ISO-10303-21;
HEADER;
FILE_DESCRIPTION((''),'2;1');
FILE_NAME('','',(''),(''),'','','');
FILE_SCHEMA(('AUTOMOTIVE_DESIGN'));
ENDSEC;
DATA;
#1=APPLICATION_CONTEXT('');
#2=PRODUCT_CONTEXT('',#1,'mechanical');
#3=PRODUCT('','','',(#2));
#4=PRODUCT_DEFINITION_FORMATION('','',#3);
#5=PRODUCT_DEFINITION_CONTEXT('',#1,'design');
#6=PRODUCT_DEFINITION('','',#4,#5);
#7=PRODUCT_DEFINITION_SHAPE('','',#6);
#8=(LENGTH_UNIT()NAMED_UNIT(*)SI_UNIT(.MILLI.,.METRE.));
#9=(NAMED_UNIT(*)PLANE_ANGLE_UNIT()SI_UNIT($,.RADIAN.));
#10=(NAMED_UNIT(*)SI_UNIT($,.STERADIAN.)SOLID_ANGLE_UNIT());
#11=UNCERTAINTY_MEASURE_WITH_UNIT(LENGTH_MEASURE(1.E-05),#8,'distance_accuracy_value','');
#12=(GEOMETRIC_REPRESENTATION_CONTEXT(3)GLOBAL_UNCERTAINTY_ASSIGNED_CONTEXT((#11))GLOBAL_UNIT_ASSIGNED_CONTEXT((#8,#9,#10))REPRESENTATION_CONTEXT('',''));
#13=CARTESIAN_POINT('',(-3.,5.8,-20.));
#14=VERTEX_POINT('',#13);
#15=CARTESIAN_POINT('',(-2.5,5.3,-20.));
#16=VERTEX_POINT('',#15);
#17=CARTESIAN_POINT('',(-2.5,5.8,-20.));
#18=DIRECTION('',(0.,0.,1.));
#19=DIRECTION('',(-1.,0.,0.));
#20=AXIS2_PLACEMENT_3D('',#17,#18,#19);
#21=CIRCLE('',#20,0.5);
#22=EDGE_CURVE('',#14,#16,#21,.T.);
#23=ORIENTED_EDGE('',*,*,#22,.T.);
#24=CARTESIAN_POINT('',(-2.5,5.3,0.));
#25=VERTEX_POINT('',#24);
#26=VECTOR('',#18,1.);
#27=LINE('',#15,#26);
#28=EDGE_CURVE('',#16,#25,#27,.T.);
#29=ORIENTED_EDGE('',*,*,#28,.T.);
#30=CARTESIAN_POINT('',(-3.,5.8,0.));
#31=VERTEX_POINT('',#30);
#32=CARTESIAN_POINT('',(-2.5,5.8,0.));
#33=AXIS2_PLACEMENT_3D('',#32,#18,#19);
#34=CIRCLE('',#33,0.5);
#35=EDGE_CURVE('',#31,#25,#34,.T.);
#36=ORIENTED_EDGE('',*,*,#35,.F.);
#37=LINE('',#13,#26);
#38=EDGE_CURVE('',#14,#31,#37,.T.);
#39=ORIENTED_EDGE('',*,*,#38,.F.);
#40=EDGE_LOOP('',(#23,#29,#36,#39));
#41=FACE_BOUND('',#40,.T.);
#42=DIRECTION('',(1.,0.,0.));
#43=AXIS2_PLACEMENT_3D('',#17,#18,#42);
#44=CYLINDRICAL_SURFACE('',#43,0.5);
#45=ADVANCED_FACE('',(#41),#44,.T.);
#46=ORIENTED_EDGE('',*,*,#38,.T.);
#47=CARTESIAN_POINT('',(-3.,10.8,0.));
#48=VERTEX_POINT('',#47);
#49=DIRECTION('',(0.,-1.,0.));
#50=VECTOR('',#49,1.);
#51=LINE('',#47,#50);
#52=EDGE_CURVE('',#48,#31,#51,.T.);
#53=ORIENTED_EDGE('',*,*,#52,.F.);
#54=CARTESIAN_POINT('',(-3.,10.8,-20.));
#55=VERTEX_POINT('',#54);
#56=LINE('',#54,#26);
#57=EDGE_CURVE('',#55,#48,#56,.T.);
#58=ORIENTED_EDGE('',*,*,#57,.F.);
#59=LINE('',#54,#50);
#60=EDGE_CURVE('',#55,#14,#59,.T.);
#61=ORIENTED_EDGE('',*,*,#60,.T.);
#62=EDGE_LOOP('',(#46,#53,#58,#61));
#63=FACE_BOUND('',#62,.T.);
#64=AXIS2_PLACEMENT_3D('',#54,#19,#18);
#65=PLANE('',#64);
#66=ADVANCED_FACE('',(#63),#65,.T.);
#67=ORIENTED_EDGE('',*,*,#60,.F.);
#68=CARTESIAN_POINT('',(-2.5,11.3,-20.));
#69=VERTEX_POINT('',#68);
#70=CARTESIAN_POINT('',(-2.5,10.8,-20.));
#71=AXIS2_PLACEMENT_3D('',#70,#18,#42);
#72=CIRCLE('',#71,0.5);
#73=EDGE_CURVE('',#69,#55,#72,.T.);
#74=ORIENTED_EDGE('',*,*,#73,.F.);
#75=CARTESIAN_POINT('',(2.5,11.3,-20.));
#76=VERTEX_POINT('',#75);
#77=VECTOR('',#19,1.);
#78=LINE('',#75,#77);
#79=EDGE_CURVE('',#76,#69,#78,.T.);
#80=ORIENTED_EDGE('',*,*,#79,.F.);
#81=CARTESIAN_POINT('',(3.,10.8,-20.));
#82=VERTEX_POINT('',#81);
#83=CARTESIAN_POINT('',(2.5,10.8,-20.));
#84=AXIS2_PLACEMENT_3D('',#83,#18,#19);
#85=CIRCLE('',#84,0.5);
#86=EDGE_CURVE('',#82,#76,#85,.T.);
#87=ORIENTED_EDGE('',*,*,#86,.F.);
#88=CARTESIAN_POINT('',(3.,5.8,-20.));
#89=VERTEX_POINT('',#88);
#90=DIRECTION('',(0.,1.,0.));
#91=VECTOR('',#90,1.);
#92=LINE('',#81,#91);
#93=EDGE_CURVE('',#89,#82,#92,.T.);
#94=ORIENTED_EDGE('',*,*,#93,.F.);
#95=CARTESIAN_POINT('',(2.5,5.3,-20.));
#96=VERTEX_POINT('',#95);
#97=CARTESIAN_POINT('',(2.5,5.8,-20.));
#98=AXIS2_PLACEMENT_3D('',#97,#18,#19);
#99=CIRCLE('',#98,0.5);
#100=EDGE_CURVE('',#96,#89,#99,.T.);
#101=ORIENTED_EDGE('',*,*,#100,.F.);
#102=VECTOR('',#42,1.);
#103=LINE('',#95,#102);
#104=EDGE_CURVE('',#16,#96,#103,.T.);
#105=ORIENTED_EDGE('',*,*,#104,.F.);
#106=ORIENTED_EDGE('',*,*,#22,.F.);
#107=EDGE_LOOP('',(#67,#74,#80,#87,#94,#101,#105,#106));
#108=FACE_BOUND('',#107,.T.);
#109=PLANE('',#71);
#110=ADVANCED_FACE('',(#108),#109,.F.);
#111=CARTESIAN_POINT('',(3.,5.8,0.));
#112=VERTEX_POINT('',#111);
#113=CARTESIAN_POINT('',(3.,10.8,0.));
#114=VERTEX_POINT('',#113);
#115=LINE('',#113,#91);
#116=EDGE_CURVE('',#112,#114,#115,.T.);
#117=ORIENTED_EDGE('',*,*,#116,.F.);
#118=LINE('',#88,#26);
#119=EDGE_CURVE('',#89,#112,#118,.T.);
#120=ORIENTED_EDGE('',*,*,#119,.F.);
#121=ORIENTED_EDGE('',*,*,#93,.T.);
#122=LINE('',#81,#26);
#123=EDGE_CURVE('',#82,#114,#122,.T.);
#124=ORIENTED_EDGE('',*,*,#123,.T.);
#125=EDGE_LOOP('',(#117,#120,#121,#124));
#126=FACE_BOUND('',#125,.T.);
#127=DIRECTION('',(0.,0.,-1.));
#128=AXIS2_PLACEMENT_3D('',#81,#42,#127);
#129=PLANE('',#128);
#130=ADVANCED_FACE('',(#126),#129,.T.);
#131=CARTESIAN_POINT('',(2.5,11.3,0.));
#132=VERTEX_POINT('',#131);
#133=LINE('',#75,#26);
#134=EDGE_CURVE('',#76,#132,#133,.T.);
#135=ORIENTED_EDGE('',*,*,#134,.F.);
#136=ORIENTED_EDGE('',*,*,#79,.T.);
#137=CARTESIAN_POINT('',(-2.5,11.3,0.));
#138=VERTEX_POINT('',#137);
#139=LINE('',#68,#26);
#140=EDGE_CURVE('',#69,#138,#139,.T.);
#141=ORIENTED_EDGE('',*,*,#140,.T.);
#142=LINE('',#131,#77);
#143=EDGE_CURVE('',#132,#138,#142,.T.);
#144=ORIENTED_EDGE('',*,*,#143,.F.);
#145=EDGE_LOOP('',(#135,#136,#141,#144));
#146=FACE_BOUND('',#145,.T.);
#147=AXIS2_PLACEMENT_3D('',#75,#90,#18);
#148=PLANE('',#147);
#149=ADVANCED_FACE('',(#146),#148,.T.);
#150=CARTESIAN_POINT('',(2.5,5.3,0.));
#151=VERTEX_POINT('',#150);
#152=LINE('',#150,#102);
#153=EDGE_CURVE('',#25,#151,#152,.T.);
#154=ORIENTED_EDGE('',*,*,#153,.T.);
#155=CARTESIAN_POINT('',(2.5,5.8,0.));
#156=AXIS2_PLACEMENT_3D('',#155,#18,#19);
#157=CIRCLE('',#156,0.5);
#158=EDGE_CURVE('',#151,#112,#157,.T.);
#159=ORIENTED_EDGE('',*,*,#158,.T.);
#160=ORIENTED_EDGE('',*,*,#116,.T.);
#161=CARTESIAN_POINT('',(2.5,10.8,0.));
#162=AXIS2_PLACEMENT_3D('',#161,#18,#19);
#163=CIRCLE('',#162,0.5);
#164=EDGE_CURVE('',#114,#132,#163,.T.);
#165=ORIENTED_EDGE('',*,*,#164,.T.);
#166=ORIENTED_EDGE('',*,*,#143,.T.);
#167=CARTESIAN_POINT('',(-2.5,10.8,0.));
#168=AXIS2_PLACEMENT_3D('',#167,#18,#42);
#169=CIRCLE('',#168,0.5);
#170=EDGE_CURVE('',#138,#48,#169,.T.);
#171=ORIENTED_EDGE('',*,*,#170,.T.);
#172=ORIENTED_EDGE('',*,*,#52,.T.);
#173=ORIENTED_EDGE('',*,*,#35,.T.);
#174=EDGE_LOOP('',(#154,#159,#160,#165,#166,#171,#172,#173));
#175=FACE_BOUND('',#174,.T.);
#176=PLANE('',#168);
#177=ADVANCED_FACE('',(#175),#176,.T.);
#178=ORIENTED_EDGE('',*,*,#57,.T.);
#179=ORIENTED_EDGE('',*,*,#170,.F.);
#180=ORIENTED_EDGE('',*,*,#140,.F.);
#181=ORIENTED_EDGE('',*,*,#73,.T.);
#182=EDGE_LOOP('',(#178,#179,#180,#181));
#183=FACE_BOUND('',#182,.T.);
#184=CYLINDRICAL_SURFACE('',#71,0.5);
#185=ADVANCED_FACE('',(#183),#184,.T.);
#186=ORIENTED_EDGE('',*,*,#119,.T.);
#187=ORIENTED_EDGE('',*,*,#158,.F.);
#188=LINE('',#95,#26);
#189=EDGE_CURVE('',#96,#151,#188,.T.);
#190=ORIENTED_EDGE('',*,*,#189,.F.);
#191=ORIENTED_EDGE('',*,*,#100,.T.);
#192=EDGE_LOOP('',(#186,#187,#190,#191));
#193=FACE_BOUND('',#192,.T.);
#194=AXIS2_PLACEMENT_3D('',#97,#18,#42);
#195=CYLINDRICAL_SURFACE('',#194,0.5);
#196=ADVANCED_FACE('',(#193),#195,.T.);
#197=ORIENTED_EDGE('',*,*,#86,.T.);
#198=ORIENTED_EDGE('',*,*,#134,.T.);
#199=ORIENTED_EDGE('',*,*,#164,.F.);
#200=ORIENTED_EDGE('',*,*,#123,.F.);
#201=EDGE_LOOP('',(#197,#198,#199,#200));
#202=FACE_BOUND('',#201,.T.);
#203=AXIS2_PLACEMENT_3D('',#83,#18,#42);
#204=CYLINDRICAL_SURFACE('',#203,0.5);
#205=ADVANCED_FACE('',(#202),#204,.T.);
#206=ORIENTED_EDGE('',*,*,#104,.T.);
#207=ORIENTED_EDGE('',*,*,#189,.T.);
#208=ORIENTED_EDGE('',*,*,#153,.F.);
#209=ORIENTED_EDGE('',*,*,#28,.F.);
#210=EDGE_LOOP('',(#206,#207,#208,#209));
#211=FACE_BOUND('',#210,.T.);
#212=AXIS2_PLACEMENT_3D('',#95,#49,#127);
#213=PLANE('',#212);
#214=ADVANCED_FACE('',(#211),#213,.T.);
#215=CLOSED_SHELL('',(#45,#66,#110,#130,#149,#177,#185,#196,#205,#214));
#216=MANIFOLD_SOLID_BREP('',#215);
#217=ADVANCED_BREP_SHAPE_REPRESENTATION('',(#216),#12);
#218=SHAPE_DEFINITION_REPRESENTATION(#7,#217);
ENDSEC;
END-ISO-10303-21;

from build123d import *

# Parameters (mm, degrees)
RESSALTO_EXTRUS_O1_DEPTH = 20


with BuildPart() as part:
    # Esboço1 → Ressalto-extrusão1 (new body)
    with BuildSketch(Plane.XY):
        with BuildLine():
            Line((2.5, 11.3), (-2.5, 11.3))
            ThreePointArc((-2.5, 11.3), (-2.853553391, 11.153553391), (-3, 10.8))
            Line((-3, 10.8), (-3, 5.8))
            ThreePointArc((-3, 5.8), (-2.853553391, 5.446446609), (-2.5, 5.3))
            Line((-2.5, 5.3), (2.5, 5.3))
            ThreePointArc((2.5, 5.3), (2.853553391, 5.446446609), (3, 5.8))
            Line((3, 5.8), (3, 10.8))
            ThreePointArc((3, 10.8), (2.853553391, 11.153553391), (2.5, 11.3))
        make_face()
    extrude(amount=-RESSALTO_EXTRUS_O1_DEPTH)


solid = part.part
